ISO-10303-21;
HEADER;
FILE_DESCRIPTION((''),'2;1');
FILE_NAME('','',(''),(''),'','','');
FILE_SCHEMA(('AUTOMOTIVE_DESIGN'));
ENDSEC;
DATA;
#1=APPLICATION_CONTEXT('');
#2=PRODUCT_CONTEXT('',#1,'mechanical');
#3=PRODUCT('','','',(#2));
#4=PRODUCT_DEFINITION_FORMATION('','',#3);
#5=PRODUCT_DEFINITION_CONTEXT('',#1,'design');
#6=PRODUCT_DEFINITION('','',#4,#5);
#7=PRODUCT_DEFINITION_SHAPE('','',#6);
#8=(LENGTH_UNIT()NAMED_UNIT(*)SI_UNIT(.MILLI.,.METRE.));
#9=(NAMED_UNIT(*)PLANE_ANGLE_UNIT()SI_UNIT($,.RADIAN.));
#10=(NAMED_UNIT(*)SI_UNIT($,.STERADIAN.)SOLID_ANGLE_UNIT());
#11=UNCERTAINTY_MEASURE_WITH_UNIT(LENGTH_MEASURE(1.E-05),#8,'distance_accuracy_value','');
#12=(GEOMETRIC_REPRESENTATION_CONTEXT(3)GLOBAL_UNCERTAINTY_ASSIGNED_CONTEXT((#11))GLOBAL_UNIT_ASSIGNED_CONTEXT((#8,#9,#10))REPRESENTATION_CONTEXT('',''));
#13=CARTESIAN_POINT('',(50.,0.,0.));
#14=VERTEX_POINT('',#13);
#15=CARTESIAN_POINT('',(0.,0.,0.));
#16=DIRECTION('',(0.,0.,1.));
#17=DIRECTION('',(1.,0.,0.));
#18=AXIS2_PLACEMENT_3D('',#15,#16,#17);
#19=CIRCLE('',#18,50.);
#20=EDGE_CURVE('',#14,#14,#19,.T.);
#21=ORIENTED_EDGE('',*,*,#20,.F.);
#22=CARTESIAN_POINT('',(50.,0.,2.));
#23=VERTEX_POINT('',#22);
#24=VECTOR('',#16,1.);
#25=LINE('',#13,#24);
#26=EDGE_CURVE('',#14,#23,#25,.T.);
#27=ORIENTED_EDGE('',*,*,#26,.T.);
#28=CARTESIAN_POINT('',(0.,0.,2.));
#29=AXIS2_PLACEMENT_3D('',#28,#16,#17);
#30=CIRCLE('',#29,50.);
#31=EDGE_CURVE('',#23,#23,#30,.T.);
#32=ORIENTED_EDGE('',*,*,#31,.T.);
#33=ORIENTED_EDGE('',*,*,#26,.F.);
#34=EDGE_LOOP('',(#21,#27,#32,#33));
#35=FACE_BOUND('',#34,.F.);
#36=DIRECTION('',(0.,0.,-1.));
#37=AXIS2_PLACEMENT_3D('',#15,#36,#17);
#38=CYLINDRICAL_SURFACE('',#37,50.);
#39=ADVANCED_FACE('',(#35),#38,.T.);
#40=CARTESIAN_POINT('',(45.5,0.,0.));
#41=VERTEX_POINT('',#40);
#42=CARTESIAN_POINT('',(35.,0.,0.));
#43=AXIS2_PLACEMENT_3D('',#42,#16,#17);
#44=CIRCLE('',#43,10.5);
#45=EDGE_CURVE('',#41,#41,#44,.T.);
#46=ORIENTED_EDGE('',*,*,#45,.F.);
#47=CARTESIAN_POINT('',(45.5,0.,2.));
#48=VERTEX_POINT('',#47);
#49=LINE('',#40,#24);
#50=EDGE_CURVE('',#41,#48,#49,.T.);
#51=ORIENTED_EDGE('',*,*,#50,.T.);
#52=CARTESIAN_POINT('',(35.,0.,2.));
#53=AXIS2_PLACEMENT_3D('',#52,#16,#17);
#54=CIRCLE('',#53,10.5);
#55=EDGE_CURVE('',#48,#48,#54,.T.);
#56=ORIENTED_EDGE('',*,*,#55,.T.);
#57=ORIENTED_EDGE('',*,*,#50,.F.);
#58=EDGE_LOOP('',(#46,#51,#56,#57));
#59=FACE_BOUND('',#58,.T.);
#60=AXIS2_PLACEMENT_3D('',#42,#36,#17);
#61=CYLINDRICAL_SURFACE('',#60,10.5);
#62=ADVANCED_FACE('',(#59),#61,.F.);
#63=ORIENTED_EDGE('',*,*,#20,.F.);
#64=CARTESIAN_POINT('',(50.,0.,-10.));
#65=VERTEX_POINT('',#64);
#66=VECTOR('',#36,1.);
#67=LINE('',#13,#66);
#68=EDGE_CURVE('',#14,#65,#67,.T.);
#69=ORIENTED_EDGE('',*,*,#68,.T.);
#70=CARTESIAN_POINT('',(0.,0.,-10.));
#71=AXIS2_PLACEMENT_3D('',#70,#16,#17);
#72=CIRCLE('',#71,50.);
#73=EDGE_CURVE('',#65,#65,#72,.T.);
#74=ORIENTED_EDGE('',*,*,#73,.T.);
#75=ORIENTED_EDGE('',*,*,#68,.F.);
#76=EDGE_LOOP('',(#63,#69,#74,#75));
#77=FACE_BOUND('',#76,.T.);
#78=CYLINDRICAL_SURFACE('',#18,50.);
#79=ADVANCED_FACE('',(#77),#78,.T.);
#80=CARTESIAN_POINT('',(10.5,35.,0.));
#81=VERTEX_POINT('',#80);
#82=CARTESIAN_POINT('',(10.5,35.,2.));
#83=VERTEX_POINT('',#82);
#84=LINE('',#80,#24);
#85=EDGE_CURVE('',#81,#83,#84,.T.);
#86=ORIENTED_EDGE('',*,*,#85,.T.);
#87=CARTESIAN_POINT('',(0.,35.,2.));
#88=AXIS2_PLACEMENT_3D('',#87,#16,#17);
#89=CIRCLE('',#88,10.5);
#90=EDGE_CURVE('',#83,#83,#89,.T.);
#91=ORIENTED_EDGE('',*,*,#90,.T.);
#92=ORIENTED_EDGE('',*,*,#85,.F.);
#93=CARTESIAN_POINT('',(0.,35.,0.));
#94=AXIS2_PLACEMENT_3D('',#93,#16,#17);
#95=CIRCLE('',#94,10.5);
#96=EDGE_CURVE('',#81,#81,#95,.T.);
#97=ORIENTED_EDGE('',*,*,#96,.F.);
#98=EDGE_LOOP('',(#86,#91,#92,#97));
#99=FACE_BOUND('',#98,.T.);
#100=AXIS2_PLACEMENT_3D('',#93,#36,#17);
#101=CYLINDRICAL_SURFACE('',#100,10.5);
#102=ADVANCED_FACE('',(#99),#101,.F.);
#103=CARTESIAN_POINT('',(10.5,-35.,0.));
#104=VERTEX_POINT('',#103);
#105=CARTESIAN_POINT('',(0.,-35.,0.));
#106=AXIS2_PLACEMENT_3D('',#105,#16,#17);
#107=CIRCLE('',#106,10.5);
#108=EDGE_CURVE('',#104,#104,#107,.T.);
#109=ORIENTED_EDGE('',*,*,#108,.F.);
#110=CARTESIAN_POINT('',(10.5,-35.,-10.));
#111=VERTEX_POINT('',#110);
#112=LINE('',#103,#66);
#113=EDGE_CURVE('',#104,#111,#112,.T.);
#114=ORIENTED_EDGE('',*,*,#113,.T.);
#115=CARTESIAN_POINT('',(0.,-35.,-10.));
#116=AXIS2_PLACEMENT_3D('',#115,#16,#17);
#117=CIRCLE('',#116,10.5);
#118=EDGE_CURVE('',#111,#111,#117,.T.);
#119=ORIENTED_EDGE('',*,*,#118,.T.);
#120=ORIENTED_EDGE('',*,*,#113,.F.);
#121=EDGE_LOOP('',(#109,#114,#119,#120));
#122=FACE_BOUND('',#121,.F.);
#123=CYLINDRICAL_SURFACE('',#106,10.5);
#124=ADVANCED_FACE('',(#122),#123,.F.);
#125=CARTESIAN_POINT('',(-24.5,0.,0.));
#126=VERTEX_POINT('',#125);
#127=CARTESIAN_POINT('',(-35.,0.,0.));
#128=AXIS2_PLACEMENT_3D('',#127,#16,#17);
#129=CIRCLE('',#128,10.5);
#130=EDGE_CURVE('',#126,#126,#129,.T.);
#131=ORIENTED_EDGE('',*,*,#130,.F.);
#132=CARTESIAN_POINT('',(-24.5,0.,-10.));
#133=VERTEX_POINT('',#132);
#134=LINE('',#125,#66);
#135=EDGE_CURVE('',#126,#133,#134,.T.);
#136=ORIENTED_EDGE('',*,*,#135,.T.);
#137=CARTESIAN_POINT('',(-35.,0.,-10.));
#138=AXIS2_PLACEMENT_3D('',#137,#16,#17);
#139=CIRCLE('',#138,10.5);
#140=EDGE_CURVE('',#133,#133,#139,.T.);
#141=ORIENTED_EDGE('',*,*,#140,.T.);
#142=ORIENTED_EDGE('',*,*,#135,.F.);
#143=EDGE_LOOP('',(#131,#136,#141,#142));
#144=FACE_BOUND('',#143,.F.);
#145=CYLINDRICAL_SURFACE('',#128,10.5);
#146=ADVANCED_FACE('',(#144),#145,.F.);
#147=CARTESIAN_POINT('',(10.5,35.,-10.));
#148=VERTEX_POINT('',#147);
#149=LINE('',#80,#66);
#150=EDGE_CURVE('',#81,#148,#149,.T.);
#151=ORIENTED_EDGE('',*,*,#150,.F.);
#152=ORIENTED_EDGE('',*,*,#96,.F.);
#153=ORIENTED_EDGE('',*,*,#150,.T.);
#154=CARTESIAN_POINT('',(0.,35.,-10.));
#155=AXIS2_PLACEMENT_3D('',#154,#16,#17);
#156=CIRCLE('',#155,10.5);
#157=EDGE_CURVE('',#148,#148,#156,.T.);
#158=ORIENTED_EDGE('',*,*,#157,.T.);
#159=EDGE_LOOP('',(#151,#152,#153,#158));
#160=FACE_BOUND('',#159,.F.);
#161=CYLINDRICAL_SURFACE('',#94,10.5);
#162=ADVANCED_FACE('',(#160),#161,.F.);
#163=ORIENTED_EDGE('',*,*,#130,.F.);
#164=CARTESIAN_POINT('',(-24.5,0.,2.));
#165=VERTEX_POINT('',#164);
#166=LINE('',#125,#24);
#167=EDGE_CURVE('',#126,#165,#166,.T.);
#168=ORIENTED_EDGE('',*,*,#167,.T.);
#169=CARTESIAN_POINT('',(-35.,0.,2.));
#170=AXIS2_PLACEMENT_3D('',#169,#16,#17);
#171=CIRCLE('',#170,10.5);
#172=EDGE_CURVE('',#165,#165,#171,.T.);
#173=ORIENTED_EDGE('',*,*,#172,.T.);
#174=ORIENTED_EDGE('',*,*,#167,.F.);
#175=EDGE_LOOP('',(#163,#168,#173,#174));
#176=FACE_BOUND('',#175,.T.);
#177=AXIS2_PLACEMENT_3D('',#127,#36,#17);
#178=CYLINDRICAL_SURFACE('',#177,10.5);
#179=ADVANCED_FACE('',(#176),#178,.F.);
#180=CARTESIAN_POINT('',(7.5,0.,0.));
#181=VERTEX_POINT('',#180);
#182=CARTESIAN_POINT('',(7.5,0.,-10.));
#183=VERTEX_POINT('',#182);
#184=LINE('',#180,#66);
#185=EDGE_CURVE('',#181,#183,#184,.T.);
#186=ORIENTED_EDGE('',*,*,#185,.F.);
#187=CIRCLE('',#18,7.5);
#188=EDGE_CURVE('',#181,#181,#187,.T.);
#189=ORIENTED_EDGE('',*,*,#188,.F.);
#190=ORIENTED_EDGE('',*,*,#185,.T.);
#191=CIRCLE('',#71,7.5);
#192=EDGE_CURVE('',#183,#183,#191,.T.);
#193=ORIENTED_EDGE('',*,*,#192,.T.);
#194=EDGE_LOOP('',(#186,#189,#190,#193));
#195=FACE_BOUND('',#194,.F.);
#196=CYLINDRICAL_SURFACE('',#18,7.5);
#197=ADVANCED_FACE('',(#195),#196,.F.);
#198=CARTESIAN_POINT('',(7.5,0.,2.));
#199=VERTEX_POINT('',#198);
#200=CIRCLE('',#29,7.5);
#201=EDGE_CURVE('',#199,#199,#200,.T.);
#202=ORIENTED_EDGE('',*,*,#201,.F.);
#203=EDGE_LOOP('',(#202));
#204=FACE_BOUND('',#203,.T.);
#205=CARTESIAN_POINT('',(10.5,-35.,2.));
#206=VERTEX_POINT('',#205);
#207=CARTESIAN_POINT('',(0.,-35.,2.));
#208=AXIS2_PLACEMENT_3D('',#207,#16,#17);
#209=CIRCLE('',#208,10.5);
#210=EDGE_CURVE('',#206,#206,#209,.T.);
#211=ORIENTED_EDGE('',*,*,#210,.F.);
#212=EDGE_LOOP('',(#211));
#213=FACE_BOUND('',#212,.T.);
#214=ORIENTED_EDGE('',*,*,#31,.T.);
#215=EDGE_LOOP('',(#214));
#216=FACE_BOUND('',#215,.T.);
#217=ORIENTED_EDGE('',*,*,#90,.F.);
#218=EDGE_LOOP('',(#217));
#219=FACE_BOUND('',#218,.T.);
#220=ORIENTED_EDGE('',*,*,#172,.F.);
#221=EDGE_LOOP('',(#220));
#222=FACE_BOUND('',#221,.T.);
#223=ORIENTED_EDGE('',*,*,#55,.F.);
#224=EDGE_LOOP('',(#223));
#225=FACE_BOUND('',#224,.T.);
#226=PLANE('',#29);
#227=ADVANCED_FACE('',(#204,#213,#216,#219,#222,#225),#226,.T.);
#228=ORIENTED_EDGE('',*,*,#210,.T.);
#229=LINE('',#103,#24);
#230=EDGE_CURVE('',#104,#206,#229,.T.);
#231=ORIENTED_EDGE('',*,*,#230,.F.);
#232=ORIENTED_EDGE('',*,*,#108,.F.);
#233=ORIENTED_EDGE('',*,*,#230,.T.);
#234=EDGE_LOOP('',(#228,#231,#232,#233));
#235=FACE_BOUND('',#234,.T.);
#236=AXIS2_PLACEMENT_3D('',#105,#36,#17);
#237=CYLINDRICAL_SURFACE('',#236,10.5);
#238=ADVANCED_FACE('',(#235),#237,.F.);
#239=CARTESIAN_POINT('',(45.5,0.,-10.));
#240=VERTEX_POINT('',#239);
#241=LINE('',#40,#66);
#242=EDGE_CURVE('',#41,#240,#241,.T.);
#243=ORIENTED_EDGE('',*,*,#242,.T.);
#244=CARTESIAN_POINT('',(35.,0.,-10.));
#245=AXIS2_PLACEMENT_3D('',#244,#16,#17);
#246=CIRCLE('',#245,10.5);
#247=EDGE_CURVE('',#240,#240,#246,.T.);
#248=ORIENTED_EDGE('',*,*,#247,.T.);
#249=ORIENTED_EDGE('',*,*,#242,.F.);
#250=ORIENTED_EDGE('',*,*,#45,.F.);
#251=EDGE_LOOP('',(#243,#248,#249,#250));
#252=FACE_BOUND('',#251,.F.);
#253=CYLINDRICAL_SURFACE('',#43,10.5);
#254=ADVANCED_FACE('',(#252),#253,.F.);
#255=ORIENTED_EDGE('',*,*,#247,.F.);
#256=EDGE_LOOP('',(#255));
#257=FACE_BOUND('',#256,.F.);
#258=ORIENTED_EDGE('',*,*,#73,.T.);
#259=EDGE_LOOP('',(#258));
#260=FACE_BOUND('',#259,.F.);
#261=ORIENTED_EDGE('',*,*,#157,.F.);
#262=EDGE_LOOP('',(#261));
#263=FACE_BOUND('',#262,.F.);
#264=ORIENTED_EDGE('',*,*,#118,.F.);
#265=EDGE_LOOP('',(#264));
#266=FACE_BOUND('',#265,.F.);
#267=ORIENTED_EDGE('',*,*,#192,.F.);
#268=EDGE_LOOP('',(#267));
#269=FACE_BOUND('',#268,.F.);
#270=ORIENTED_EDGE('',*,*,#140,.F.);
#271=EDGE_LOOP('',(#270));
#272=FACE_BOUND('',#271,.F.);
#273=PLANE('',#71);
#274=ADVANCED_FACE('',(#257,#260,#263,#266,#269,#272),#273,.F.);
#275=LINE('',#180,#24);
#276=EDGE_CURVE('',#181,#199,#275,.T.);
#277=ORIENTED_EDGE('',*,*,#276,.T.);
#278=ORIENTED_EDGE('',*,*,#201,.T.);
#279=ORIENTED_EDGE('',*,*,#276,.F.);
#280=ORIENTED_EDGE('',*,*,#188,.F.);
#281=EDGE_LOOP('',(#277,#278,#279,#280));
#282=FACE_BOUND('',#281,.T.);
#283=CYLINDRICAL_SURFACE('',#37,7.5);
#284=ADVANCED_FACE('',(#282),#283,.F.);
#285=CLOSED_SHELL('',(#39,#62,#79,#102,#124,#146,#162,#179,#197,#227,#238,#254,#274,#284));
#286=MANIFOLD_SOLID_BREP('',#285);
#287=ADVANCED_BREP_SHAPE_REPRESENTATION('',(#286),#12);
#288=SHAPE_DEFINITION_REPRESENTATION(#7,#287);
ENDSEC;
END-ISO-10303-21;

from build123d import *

# Parameters (mm, degrees)
F0_R     = 50
F0_R_2   = 10.5
F0_R_3   = 7.5
F1_DEPTH = 10
F2_DEPTH = 2


with BuildPart() as f1:
    # F0 (on Top) → F1 (new body)
    with BuildSketch(Plane.XY):
        Circle(F0_R)
        with Locations((0, -35)):
            Circle(F0_R_2, mode=Mode.SUBTRACT)
        with Locations((-35, 0)):
            Circle(F0_R_2, mode=Mode.SUBTRACT)
        Circle(F0_R_3, mode=Mode.SUBTRACT)
        with Locations((35, 0)):
            Circle(F0_R_2, mode=Mode.SUBTRACT)
        with Locations((0, 35)):
            Circle(F0_R_2, mode=Mode.SUBTRACT)
    extrude(amount=-F1_DEPTH)

    # F0 (on Top) → F2 (join)
    with BuildSketch(Plane.XY):
        Circle(F0_R)
        with Locations((0, -35)):
            Circle(F0_R_2, mode=Mode.SUBTRACT)
        with Locations((-35, 0)):
            Circle(F0_R_2, mode=Mode.SUBTRACT)
        Circle(F0_R_3, mode=Mode.SUBTRACT)
        with Locations((35, 0)):
            Circle(F0_R_2, mode=Mode.SUBTRACT)
        with Locations((0, 35)):
            Circle(F0_R_2, mode=Mode.SUBTRACT)
    extrude(amount=F2_DEPTH)


solid = f1.part
